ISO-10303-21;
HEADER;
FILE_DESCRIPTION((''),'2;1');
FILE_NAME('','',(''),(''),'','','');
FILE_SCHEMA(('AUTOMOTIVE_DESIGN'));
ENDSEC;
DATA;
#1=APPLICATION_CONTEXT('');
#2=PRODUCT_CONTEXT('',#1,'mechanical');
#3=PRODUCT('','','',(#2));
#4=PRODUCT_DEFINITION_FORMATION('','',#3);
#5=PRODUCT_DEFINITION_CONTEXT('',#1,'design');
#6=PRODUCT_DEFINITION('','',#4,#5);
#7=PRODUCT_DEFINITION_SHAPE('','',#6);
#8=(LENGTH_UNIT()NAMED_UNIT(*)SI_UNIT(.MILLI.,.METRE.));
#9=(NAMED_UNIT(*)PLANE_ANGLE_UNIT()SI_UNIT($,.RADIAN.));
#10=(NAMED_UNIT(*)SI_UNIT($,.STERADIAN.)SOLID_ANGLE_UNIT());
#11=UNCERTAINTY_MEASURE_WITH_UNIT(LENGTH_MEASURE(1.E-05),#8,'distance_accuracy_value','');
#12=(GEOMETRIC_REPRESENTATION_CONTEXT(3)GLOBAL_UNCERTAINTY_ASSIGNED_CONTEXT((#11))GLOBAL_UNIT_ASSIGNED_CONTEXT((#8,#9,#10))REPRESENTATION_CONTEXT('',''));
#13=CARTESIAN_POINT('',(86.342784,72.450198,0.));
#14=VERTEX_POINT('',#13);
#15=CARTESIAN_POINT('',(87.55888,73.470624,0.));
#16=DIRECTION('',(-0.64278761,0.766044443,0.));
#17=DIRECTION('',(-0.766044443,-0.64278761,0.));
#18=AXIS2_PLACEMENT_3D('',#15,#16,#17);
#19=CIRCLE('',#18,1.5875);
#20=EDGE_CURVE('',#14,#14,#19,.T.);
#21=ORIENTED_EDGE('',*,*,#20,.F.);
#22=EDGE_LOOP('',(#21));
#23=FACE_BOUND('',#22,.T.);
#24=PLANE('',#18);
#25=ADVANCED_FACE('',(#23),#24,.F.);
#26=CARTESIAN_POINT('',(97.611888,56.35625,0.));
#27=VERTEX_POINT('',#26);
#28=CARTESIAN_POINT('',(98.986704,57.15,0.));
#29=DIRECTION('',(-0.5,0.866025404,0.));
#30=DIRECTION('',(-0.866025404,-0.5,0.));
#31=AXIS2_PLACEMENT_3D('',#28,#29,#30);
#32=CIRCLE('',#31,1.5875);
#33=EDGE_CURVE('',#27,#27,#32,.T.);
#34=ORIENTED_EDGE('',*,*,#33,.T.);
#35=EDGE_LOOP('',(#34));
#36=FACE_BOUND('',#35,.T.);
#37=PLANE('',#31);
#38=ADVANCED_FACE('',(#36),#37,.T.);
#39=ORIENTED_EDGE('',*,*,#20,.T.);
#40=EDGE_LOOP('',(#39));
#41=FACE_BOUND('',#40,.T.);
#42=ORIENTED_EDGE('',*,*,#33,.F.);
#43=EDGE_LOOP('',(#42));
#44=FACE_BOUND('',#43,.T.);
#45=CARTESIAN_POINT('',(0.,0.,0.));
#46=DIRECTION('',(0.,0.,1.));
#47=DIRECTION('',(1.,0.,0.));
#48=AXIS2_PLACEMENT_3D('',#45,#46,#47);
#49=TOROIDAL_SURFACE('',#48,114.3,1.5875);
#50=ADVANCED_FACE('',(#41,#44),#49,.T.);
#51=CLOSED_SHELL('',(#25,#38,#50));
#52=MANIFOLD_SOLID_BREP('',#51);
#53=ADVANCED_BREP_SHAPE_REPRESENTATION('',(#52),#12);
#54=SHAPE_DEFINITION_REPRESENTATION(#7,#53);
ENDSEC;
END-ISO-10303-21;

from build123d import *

# Parameters (mm, degrees)
SKETCH2_R = 1.5875


with BuildPart() as part:
    # Sweep1: sweep along a path in Sketch1
    with BuildLine(Plane.XY) as sweep1_path:
        ThreePointArc((87.558879848, 73.470623787), (-93.629078662, -65.559786675), (98.986703653, 57.15))
    # Sketch2 → Sweep1 (sweep)
    with BuildSketch(Plane(origin=(87.558879848, 73.470623787, 0), x_dir=(0.766044443, 0.64278761, 0), z_dir=(-0.64278761, 0.766044443, 0))):
        Circle(SKETCH2_R)
    sweep(path=sweep1_path.line)


solid = part.part
